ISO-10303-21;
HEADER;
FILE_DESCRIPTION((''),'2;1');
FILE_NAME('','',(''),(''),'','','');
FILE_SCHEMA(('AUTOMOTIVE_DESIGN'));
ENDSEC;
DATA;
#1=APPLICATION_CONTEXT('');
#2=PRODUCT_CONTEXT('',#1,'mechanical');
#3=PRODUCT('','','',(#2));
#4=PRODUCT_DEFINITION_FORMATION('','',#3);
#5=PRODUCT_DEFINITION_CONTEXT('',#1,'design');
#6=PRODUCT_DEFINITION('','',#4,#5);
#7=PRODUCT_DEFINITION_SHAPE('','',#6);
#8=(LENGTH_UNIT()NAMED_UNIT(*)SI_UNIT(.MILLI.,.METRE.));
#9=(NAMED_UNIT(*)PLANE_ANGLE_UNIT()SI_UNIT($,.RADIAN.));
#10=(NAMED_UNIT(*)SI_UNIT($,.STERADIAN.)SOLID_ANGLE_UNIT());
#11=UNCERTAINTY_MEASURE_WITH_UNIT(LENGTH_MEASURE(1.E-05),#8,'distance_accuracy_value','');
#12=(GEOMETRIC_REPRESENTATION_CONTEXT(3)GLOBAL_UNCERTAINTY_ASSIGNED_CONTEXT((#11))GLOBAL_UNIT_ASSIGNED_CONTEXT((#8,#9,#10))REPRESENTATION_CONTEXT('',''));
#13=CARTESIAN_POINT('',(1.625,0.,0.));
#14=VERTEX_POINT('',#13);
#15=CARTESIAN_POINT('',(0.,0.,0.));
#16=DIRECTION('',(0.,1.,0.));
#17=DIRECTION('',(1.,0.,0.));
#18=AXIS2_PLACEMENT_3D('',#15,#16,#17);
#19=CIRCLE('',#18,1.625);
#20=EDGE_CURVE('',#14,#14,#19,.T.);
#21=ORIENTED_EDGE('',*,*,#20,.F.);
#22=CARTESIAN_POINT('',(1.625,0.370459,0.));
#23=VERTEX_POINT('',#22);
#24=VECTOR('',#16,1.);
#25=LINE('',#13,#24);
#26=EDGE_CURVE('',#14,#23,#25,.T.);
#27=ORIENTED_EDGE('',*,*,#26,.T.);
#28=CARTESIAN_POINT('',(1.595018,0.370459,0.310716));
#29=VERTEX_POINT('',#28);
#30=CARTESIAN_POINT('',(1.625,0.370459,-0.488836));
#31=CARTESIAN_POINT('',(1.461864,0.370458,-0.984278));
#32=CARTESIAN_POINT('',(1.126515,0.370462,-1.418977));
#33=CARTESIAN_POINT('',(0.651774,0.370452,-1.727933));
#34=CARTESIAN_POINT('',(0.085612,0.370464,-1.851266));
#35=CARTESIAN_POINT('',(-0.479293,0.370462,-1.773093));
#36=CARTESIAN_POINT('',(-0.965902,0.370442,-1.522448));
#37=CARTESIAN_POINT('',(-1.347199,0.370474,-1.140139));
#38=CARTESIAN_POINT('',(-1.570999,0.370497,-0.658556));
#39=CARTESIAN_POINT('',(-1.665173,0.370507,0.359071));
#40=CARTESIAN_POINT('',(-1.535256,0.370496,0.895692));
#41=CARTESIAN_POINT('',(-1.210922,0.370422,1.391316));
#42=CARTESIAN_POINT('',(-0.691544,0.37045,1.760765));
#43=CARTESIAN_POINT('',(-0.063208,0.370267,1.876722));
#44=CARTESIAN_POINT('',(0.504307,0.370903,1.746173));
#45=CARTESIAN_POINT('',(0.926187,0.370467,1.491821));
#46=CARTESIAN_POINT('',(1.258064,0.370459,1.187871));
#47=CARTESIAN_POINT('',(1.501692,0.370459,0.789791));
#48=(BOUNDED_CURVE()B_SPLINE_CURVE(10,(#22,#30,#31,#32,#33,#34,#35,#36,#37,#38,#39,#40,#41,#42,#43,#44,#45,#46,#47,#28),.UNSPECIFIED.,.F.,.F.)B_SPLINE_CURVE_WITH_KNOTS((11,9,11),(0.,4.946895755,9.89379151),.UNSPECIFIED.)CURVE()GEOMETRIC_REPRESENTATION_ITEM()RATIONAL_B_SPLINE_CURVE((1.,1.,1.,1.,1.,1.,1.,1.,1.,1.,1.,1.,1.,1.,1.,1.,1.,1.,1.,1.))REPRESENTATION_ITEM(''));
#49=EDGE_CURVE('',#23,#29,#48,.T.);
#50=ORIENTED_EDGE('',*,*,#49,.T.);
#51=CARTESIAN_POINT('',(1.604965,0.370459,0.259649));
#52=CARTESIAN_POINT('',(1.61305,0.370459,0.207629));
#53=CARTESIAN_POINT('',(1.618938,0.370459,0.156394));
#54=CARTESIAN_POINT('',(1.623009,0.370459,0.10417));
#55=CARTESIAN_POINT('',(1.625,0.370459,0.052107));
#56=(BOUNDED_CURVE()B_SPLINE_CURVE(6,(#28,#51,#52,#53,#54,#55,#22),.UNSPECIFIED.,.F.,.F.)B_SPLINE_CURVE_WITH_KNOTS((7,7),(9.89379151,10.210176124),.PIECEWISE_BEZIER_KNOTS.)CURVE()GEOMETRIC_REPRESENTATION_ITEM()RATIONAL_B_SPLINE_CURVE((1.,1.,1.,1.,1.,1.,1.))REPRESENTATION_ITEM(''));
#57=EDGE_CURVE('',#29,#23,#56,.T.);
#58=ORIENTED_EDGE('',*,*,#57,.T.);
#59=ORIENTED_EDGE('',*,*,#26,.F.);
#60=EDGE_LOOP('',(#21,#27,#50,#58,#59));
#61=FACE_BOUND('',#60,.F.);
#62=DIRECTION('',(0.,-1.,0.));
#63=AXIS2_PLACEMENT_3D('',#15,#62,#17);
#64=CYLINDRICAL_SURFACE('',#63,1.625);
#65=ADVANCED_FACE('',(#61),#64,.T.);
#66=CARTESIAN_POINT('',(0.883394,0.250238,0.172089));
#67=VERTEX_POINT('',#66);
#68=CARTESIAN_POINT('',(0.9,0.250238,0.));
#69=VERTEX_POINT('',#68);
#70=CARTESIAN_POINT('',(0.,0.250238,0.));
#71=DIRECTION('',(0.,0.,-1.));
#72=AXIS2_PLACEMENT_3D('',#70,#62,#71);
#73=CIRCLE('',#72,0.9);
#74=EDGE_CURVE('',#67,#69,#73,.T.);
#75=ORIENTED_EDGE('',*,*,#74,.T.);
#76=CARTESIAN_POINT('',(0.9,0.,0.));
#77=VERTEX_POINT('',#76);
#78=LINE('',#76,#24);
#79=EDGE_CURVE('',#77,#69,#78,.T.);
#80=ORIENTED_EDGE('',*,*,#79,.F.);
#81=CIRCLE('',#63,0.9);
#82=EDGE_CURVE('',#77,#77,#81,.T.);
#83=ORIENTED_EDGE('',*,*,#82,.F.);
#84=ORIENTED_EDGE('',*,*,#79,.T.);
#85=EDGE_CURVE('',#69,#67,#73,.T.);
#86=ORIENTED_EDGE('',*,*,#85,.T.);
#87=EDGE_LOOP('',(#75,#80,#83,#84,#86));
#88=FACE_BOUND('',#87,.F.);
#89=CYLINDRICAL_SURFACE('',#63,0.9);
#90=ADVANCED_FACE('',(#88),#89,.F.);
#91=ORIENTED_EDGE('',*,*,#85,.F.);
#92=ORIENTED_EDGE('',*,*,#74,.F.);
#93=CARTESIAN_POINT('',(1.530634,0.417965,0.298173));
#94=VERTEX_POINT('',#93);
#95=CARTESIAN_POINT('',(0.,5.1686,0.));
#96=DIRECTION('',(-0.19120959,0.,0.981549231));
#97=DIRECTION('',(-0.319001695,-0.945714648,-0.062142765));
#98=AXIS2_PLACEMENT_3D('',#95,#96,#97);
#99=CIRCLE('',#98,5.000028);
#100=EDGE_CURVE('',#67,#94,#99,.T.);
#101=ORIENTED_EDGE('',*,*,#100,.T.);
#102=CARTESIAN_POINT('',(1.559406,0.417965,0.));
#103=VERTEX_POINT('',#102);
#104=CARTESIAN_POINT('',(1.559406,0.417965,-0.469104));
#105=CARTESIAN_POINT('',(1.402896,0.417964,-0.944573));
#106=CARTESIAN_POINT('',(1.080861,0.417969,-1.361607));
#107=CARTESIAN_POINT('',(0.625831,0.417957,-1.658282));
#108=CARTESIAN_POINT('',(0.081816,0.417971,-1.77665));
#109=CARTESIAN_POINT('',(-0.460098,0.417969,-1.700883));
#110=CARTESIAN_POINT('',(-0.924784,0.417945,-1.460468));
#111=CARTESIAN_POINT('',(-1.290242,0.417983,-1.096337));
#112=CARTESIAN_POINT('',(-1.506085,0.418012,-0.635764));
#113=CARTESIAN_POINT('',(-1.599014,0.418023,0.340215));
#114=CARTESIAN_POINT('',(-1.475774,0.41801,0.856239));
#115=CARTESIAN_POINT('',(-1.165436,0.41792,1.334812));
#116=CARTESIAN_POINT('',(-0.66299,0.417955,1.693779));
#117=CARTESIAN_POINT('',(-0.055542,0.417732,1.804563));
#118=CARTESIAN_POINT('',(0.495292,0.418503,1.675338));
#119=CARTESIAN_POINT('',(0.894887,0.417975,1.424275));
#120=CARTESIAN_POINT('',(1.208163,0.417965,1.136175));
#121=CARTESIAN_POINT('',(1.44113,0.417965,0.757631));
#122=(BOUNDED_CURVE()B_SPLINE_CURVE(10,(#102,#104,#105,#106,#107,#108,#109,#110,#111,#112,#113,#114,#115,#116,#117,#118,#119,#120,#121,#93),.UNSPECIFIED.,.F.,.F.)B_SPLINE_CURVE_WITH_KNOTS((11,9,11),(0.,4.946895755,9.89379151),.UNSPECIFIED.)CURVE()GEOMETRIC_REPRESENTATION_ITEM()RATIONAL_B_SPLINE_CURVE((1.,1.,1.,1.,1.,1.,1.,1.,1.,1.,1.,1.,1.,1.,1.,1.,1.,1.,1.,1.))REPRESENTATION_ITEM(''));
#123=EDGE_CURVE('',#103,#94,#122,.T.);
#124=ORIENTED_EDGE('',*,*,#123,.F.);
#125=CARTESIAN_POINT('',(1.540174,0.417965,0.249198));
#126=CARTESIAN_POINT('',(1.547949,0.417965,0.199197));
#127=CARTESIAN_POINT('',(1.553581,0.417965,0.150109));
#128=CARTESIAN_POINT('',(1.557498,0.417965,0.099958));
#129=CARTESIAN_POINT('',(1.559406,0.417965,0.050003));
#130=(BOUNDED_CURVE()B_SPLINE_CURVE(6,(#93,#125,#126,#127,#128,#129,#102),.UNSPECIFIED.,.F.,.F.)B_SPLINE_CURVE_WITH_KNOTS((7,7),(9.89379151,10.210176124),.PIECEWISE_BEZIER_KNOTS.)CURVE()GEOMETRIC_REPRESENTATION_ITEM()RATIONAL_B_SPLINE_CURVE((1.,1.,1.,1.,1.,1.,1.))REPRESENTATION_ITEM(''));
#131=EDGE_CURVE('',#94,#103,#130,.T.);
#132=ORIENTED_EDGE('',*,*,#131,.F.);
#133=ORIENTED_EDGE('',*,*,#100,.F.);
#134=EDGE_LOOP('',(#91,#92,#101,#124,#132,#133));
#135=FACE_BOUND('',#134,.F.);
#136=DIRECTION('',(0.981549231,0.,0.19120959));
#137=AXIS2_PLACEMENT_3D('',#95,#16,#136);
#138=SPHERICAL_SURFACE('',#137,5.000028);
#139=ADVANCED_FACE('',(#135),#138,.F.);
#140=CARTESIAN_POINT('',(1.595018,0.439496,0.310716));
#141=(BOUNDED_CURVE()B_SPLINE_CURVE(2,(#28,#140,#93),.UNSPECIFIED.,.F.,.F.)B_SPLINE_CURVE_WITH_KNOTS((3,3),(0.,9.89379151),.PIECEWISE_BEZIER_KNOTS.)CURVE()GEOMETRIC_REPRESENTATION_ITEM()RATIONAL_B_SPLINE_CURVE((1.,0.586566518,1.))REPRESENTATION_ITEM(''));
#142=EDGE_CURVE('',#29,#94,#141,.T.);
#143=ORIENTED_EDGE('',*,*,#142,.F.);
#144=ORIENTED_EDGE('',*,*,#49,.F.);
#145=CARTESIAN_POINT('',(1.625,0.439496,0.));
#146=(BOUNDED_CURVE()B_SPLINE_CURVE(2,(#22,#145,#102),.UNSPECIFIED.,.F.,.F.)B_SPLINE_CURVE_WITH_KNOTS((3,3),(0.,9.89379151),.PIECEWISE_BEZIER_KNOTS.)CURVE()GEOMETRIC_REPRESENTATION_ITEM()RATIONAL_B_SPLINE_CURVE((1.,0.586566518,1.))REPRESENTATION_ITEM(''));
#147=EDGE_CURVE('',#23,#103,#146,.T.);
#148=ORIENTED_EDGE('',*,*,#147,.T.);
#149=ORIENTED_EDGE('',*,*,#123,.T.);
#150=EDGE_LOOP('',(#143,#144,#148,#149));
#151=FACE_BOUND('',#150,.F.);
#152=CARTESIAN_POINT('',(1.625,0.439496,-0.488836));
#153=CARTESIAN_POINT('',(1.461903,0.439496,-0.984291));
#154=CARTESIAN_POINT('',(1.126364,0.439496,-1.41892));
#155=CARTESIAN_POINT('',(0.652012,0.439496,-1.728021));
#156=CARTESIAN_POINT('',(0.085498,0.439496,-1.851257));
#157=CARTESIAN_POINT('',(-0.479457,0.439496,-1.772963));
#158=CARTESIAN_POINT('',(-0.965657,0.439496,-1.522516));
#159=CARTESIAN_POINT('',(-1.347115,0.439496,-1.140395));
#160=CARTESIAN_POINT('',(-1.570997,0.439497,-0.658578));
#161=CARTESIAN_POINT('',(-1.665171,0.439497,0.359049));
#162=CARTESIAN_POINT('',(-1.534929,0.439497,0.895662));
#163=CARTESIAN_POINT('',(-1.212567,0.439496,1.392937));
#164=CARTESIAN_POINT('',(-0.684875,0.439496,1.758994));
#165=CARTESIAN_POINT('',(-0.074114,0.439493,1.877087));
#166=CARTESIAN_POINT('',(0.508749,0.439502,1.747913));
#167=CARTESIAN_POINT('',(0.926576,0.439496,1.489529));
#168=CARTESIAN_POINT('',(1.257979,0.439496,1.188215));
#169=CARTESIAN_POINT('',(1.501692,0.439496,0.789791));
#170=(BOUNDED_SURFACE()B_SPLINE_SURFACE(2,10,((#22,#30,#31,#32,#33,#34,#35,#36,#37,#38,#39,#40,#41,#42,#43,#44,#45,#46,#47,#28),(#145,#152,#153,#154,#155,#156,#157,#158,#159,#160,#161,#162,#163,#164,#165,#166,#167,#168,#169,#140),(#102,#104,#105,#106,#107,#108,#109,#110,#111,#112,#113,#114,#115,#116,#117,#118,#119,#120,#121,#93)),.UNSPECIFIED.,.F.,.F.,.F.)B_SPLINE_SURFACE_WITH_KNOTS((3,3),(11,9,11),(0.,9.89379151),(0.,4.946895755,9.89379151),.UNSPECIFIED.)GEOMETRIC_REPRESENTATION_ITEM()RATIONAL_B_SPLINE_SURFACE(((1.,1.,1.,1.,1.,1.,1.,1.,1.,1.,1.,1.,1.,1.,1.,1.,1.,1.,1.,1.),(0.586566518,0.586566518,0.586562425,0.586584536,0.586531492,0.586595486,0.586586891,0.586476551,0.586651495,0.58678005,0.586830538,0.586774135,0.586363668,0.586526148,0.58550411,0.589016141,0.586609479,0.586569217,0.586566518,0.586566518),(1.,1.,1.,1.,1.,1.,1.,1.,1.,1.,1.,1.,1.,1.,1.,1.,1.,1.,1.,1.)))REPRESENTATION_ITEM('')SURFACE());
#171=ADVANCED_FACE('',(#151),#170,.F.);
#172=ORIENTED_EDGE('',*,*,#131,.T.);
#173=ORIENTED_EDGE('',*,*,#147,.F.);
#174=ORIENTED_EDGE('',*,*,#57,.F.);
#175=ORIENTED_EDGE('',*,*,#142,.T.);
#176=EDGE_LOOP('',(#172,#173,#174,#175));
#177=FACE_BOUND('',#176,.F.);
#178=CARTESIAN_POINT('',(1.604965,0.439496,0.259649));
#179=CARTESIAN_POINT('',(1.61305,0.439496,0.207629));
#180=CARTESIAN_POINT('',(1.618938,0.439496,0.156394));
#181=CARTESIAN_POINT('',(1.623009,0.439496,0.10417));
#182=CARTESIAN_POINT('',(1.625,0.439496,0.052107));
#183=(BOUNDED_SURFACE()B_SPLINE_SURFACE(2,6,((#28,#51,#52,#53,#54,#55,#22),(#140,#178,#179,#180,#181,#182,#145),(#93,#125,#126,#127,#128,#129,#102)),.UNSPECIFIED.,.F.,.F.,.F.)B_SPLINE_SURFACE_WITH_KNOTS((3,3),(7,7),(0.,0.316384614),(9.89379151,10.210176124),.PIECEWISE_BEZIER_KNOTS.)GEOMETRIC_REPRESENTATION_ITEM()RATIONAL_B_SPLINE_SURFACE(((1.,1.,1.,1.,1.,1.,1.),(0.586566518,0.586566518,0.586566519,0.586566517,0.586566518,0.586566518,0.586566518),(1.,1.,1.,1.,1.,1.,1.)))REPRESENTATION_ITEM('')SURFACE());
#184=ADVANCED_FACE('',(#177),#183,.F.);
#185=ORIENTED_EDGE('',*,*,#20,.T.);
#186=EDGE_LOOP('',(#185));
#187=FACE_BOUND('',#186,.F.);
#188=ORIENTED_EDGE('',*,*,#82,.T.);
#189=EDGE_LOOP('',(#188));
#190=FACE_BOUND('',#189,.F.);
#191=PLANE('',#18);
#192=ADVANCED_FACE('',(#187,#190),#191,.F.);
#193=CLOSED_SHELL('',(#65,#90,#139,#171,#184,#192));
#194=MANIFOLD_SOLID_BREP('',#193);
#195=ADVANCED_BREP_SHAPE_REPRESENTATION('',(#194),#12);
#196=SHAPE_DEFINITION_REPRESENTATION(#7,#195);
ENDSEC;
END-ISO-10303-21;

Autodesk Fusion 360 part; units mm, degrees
sketch "Sketch1" plane through (0, 0, 0) normal (0, 1, 0) x (1, 0, 0)
  circle A0 centre (0, 0) radius 1.625
  dimension "d1" = 3.25
extrude "Extrude1" add sketch "Sketch1" along normal blind 0.44
ref_plane "WorkPlane1" through (-0.3108, 0.0895, 1.595) normal (-0.1912, 0, 0.9815) x (-0.9815, 0, -0.1912)
ref_plane "WorkPlane2" through (0, 0.0895, 0) normal (-0.1912, 0, 0.9815) x (-0.9815, 0, -0.1912)
sketch "Sketch2" plane through (0, 0.0895, 0) normal (-0.1912, 0, 0.9815) x (-0.9815, 0, -0.1912)
  arc A0 (1.625, -0.3505) -> (-1.625, -0.3505) centre (0, -5.0791) ccw
  line L0 (-1.625, -0.3505) -> (1.625, -0.3505)
  line L1 (0, -3.3) -> (0, -2.7)
  line L2 (1.625, -0.3505) -> (-1.625, -0.3505)
  line L3 (0, -0.0791) -> (0, -0.3505)
  dimension "d6" = 5
revolve "Revolve1" cut sketch "Sketch2" angle 360 about axis through (0, 1.75, 0) along (0, 1, 0) contours A0 L0 L2 L3 picked at (-0.1835, -0.1797)
sketch "Sketch3" plane through (0, 0, 0) normal (0, -1, 0) x (1, 0, 0)
  circle A0 centre (0, 0) radius 1.625
  circle A1 centre (0, 0) radius 0.9
  dimension "d8" = 1.8
extrude "Extrude2" cut sketch "Sketch3" against normal through all contours A1
fillet "Fillet1" radius 0.05 1 edges at (-1.515, 0.44, 0.5876)
